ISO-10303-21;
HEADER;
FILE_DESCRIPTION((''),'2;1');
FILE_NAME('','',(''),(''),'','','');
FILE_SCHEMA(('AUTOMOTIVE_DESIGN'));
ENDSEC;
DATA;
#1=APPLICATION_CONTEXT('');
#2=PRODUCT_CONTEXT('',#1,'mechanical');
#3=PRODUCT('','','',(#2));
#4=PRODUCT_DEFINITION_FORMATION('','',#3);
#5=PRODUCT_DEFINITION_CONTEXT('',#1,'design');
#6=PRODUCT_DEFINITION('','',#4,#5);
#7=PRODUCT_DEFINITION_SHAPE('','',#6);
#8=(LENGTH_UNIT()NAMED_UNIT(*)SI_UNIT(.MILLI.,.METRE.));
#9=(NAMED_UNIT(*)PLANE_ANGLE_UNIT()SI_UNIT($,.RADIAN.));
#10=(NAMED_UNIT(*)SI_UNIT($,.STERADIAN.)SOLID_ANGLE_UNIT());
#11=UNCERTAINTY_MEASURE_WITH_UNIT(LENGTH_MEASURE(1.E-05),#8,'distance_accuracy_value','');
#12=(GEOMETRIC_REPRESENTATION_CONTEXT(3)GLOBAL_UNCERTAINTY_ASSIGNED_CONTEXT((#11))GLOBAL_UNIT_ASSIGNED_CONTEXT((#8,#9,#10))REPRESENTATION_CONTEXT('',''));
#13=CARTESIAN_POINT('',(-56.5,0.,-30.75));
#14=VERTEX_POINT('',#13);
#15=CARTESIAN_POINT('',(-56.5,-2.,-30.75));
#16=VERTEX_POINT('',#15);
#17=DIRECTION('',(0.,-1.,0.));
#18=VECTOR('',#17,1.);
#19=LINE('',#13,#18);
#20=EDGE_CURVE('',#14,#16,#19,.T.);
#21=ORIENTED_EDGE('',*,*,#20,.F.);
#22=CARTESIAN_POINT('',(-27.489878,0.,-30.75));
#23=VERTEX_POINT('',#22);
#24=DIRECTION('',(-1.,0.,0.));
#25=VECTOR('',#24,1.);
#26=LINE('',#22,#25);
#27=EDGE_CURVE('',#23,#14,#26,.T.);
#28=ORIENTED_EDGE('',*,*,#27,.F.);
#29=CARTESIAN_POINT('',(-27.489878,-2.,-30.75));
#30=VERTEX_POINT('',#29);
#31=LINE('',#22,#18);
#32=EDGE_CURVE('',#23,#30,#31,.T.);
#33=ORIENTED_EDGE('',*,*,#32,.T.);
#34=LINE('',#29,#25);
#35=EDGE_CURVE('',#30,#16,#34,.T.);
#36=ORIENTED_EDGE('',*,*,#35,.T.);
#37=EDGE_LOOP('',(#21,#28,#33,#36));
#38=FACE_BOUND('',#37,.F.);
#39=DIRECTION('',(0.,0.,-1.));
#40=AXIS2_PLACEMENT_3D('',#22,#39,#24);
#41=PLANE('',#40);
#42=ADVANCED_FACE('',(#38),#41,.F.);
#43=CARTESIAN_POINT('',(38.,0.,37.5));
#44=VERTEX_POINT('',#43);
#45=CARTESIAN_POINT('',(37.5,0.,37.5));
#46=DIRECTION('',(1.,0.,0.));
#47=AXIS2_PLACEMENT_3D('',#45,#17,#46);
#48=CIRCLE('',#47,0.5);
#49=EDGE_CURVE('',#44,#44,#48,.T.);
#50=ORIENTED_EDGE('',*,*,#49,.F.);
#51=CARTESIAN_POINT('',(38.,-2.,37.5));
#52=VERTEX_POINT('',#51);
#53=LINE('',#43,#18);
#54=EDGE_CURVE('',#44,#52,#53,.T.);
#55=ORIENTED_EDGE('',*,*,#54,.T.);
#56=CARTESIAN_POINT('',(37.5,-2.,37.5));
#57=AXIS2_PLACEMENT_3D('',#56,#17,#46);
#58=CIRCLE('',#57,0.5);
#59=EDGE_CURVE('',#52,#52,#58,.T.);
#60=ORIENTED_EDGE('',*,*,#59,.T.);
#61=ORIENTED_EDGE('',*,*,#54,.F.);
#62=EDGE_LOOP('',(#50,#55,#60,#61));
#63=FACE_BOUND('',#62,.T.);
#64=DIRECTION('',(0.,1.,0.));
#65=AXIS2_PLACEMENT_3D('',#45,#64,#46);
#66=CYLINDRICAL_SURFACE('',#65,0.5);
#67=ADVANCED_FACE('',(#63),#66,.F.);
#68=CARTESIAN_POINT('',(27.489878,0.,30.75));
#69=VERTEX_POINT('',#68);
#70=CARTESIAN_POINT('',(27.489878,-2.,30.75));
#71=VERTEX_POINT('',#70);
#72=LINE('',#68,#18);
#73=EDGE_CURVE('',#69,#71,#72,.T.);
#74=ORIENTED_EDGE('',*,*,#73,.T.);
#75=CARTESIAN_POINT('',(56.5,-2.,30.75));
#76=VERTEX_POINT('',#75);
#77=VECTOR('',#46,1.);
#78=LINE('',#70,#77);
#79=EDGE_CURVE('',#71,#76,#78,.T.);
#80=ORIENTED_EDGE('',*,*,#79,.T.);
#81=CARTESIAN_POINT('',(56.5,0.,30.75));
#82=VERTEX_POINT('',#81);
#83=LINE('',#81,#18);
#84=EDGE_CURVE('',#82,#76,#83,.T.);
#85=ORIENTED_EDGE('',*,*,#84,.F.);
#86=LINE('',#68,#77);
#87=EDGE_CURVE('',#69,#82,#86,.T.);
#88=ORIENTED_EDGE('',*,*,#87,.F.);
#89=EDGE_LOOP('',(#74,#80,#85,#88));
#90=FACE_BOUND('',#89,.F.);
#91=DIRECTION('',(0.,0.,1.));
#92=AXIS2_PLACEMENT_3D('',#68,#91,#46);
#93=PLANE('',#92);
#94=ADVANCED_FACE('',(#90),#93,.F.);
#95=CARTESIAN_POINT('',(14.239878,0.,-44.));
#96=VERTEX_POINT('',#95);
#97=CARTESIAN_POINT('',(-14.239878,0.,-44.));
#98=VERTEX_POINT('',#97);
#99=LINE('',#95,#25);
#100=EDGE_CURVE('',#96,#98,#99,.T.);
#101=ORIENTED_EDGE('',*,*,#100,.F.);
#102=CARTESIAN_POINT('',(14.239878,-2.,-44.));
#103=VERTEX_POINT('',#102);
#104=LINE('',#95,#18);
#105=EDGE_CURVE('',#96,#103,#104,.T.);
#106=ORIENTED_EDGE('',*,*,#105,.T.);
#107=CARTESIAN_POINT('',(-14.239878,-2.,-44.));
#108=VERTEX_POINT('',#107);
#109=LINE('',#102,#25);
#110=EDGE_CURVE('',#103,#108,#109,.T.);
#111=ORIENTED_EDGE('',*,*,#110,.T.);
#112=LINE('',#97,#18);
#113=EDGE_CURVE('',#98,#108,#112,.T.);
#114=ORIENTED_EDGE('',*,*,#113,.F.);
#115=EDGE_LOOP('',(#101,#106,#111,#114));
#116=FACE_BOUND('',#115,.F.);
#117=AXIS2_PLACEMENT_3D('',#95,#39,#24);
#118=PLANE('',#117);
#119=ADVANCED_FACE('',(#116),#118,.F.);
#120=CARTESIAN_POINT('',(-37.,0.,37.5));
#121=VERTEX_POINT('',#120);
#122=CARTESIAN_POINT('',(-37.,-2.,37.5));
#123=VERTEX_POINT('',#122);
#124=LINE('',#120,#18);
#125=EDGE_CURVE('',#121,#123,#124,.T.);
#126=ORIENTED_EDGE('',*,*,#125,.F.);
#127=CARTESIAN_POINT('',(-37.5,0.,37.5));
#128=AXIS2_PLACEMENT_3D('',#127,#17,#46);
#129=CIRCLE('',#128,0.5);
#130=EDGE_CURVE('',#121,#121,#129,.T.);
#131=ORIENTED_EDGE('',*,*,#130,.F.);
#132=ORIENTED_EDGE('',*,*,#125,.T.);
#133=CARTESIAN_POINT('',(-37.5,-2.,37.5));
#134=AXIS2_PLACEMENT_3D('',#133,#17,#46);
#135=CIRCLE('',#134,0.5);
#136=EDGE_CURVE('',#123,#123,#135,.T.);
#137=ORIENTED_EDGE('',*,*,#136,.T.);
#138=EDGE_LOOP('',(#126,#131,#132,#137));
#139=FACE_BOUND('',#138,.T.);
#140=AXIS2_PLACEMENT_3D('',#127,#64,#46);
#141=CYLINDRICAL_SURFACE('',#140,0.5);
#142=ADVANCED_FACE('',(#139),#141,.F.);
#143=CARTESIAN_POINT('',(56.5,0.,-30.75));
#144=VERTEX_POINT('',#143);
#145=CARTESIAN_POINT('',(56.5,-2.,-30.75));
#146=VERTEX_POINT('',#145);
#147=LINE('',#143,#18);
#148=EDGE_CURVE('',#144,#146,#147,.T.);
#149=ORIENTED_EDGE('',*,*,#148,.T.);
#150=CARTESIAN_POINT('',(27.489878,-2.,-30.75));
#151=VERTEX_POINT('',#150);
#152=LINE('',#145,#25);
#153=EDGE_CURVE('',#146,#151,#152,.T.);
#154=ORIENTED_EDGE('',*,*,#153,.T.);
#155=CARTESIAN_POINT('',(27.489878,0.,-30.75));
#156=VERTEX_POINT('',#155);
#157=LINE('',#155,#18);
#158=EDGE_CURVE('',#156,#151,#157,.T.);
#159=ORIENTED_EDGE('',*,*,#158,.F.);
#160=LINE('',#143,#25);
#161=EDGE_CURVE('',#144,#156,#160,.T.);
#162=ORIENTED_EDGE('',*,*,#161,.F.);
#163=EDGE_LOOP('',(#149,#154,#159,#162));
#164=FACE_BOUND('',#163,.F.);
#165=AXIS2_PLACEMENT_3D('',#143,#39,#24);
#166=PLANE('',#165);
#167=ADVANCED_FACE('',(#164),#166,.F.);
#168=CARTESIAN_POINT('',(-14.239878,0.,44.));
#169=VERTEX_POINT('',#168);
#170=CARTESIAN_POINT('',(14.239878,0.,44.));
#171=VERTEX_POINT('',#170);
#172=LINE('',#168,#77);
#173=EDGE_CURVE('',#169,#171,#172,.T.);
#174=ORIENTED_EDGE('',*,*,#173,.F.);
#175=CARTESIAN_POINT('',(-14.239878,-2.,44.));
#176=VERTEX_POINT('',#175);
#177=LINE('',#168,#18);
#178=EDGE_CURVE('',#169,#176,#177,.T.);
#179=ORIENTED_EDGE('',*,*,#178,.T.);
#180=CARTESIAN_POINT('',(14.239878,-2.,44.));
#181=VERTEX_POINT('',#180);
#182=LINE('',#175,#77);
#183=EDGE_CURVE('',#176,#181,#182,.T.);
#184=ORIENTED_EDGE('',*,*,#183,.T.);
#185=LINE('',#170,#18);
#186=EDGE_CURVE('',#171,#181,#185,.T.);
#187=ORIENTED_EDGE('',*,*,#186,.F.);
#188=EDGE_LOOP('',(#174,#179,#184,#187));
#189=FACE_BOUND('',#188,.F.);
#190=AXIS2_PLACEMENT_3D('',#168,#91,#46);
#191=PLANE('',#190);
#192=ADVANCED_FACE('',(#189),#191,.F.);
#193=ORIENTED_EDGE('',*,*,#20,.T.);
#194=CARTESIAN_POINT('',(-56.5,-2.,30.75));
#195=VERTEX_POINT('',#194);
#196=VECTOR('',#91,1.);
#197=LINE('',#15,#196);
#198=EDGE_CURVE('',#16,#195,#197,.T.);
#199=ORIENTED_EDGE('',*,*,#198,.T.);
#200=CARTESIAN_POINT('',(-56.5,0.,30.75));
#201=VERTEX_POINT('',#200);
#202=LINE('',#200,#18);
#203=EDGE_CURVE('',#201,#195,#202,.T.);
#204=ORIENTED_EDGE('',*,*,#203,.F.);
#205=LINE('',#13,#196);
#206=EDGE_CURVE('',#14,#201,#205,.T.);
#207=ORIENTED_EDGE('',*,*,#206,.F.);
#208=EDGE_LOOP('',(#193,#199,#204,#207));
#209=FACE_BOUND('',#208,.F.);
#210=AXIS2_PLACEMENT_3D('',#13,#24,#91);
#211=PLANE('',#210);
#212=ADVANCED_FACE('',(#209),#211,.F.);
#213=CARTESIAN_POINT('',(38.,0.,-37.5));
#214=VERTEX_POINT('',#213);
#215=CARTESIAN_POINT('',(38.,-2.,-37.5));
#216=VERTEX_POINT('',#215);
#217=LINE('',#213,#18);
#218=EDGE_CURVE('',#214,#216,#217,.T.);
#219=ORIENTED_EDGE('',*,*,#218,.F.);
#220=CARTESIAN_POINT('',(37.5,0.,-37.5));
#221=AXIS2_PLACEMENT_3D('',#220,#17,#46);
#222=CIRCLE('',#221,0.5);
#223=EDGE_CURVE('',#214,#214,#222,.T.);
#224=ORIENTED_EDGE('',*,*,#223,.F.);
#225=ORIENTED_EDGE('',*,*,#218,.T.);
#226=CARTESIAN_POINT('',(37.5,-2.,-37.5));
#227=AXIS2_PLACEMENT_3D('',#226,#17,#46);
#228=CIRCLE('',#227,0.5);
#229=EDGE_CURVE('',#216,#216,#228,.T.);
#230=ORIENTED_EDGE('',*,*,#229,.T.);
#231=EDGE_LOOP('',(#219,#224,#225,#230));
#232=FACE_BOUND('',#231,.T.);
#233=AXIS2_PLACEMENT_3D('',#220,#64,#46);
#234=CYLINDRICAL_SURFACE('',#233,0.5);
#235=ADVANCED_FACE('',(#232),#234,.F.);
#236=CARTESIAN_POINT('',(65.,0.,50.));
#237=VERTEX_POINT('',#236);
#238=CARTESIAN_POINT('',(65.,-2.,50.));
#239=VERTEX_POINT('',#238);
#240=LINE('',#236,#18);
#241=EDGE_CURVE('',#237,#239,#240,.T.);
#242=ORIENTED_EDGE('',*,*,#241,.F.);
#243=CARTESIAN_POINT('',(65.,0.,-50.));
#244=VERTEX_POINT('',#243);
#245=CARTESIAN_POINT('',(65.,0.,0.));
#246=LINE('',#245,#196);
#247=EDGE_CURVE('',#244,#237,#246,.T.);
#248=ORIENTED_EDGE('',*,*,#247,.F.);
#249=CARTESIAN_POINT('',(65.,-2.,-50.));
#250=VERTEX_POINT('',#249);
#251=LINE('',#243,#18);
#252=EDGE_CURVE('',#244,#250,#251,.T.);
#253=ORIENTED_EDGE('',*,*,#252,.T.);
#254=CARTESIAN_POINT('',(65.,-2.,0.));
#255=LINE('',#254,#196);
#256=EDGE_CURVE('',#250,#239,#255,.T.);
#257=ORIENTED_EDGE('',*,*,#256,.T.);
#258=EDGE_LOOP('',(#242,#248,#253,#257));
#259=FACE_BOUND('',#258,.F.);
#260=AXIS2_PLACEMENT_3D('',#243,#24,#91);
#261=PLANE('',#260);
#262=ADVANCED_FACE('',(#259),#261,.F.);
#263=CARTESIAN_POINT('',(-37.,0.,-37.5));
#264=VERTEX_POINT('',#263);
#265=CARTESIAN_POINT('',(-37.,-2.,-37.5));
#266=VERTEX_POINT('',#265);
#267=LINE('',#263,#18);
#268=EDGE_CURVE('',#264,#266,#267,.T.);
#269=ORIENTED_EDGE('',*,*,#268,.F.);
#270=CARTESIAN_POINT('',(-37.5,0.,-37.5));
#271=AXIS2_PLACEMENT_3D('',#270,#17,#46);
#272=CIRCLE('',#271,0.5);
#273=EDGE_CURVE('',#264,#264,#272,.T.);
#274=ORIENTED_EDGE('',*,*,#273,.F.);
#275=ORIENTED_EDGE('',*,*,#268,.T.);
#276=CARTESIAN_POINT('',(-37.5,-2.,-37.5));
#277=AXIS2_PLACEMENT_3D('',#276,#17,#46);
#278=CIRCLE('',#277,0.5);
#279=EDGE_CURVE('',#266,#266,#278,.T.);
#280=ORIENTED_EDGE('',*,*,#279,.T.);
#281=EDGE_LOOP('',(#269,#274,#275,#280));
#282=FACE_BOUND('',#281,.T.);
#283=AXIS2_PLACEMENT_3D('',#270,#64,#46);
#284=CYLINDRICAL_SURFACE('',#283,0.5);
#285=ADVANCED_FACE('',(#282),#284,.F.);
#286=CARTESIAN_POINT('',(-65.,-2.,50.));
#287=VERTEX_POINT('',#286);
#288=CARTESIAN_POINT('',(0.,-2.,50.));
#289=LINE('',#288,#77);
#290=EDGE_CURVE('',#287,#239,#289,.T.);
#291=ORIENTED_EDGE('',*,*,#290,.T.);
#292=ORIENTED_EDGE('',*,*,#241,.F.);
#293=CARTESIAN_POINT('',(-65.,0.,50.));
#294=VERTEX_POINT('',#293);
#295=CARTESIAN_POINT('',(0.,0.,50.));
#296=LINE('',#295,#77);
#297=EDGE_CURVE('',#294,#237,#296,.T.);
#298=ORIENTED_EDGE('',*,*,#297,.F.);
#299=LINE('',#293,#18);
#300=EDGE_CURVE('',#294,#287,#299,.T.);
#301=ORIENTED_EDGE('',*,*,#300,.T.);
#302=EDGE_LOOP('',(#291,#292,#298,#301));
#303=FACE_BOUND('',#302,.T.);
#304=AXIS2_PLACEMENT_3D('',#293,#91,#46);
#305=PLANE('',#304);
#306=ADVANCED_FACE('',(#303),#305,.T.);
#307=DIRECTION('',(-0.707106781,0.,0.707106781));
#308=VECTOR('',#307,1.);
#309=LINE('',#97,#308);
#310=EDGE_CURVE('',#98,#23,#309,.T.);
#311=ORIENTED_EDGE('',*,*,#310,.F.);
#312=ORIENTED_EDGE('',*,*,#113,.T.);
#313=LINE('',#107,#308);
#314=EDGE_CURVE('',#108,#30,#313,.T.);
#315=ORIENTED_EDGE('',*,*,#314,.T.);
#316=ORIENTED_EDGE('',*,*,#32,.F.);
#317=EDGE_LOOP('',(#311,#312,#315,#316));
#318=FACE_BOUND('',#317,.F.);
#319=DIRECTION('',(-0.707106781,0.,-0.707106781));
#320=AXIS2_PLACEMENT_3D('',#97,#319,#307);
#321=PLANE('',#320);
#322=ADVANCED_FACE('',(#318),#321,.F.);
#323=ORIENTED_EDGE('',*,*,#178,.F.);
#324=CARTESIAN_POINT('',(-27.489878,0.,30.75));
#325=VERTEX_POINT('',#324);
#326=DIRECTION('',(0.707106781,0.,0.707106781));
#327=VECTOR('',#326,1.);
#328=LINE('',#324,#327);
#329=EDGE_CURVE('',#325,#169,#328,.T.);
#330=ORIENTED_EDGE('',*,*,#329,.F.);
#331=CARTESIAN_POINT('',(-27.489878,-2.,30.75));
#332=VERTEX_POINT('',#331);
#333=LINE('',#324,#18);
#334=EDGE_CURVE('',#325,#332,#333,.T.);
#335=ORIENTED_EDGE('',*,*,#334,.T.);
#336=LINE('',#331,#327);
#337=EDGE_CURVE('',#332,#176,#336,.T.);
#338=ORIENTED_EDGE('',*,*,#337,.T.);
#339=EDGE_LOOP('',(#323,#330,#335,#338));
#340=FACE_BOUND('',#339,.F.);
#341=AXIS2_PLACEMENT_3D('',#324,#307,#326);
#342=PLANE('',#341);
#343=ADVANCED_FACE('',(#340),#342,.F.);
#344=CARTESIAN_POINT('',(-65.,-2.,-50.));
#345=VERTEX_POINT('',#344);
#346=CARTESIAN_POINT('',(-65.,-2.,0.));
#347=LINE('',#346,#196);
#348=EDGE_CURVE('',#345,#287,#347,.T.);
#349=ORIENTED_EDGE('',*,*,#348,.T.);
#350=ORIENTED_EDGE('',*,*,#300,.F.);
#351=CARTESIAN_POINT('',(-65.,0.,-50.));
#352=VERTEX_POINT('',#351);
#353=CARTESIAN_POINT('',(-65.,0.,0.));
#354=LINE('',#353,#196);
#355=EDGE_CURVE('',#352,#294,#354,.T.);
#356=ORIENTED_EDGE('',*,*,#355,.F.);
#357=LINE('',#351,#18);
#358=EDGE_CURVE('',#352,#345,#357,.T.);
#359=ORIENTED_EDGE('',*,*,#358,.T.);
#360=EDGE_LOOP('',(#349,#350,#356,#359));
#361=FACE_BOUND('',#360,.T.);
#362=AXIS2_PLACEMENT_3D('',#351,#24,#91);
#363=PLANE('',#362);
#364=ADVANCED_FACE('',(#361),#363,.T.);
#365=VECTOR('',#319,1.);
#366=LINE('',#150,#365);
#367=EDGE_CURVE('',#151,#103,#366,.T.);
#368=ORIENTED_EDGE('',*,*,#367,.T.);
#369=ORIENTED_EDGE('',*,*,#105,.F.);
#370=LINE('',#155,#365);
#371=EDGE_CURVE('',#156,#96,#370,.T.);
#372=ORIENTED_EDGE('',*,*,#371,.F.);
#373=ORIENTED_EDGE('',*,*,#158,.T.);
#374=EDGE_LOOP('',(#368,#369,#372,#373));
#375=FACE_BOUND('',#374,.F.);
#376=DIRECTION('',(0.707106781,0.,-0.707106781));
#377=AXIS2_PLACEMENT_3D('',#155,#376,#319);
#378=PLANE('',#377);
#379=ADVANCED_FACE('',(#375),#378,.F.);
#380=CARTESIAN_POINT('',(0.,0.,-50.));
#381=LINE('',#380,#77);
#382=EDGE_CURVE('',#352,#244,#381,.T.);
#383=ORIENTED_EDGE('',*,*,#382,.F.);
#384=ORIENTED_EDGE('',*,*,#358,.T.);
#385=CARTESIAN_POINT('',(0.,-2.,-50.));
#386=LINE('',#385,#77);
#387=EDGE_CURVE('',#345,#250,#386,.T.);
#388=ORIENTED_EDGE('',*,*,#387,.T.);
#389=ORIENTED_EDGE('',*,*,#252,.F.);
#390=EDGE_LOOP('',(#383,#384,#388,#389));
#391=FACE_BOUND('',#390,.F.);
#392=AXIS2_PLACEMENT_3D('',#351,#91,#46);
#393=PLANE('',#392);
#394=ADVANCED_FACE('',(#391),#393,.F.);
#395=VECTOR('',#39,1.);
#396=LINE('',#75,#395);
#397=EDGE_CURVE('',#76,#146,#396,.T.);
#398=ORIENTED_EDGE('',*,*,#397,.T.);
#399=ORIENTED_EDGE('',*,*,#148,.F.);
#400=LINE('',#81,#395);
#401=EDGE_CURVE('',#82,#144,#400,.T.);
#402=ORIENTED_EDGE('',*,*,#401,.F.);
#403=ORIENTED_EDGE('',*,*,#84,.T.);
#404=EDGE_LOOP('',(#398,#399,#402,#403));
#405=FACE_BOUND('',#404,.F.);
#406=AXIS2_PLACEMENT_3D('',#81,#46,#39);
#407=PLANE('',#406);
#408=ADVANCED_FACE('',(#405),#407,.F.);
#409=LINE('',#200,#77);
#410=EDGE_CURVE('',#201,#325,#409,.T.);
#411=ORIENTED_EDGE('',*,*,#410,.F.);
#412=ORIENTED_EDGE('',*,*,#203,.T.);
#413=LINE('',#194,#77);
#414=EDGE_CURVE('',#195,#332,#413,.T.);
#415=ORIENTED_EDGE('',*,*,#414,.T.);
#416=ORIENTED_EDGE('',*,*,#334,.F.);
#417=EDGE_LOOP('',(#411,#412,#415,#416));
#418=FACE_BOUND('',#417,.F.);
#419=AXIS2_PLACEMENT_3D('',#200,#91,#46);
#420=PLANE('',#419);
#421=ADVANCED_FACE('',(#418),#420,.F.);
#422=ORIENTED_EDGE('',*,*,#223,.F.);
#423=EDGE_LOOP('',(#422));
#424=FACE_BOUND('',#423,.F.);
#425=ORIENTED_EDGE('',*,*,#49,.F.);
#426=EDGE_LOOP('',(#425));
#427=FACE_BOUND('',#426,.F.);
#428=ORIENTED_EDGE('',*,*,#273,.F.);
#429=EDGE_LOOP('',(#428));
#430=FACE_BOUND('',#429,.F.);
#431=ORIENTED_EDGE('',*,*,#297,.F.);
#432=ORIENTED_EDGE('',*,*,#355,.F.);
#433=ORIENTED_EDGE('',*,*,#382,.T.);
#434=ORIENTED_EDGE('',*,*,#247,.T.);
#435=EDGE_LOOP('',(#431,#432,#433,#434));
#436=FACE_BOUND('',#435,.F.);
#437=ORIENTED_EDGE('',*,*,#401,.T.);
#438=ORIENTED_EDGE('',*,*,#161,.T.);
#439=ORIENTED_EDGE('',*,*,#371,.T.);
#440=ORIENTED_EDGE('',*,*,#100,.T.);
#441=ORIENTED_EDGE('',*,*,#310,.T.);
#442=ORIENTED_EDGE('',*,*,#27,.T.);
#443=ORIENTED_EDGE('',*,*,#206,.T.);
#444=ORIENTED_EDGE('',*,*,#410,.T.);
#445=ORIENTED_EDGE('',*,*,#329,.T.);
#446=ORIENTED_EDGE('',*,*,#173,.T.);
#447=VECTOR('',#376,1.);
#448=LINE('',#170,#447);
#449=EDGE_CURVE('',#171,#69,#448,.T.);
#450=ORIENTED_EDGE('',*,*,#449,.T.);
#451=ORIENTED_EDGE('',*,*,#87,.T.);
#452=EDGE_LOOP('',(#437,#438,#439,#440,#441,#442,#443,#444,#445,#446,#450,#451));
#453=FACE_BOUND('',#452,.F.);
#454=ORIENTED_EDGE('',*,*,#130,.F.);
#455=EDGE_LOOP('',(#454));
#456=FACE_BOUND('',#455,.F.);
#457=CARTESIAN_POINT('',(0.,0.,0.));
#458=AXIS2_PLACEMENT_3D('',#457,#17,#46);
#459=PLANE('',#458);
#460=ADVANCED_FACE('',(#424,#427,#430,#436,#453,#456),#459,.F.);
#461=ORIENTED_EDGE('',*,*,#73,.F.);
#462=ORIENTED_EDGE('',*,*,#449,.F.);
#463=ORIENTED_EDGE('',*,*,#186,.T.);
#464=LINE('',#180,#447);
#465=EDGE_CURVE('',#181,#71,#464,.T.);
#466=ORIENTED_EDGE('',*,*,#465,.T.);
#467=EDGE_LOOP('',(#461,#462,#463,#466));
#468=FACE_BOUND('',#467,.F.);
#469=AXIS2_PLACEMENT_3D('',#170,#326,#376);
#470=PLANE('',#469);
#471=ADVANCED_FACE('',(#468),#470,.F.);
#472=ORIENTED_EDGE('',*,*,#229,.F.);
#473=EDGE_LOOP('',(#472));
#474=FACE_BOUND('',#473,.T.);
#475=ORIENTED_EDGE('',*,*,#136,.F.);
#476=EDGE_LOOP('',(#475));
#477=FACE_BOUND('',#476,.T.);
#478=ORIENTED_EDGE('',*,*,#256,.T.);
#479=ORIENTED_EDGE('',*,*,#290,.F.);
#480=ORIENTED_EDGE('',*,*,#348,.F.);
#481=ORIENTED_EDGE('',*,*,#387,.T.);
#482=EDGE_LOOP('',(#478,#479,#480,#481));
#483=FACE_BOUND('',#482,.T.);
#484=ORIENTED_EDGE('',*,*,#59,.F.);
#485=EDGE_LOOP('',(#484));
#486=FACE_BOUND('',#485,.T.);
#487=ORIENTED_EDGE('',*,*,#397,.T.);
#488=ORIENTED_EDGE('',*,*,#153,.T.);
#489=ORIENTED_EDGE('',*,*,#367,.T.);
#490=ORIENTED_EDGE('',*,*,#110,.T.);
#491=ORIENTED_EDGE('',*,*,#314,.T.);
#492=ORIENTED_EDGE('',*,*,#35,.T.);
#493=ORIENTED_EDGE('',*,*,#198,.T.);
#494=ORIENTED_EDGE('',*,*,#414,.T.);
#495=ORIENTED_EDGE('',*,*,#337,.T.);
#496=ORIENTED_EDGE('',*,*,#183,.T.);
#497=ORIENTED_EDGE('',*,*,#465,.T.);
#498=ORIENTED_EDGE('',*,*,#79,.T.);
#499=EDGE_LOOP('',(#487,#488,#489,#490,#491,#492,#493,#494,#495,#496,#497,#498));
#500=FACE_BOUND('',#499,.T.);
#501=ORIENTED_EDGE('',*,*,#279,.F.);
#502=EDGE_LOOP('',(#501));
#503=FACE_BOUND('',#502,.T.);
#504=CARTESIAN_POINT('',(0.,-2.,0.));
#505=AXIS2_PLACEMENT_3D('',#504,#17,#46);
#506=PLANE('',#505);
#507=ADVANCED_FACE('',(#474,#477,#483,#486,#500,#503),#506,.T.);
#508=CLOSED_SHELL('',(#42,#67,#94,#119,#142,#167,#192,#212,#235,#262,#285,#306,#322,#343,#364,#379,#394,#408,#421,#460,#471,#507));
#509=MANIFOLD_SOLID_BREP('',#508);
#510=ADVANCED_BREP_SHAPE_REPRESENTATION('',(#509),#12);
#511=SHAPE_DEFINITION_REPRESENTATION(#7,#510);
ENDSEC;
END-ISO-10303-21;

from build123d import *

# Parameters (mm, degrees)
F0_W     = 130
F0_H     = 100
F0_R     = 0.5
F1_DEPTH = 2


with BuildPart() as f1:
    # F0 (on Front) → F1 (new body)
    with BuildSketch(Plane.XZ):
        Rectangle(F0_W, F0_H)
        with Locations((-37.5, -37.5)):
            Circle(F0_R, mode=Mode.SUBTRACT)
        with Locations((37.5, -37.5)):
            Circle(F0_R, mode=Mode.SUBTRACT)
        with Locations((-37.5, 37.5)):
            Circle(F0_R, mode=Mode.SUBTRACT)
        Polygon((-27.489878, 30.75), (-14.239878, 44), (0, 44), (14.239878, 44), (27.489878, 30.75), (56.5, 30.75), (56.5, 0), (56.5, -30.75), (27.489878, -30.75), (14.239878, -44), (0, -44), (-14.239878, -44), (-27.489878, -30.75), (-56.5, -30.75), (-56.5, 0), (-56.5, 30.75), align=None, mode=Mode.SUBTRACT)
        with Locations((37.5, 37.5)):
            Circle(F0_R, mode=Mode.SUBTRACT)
    extrude(amount=F1_DEPTH)


solid = f1.part
